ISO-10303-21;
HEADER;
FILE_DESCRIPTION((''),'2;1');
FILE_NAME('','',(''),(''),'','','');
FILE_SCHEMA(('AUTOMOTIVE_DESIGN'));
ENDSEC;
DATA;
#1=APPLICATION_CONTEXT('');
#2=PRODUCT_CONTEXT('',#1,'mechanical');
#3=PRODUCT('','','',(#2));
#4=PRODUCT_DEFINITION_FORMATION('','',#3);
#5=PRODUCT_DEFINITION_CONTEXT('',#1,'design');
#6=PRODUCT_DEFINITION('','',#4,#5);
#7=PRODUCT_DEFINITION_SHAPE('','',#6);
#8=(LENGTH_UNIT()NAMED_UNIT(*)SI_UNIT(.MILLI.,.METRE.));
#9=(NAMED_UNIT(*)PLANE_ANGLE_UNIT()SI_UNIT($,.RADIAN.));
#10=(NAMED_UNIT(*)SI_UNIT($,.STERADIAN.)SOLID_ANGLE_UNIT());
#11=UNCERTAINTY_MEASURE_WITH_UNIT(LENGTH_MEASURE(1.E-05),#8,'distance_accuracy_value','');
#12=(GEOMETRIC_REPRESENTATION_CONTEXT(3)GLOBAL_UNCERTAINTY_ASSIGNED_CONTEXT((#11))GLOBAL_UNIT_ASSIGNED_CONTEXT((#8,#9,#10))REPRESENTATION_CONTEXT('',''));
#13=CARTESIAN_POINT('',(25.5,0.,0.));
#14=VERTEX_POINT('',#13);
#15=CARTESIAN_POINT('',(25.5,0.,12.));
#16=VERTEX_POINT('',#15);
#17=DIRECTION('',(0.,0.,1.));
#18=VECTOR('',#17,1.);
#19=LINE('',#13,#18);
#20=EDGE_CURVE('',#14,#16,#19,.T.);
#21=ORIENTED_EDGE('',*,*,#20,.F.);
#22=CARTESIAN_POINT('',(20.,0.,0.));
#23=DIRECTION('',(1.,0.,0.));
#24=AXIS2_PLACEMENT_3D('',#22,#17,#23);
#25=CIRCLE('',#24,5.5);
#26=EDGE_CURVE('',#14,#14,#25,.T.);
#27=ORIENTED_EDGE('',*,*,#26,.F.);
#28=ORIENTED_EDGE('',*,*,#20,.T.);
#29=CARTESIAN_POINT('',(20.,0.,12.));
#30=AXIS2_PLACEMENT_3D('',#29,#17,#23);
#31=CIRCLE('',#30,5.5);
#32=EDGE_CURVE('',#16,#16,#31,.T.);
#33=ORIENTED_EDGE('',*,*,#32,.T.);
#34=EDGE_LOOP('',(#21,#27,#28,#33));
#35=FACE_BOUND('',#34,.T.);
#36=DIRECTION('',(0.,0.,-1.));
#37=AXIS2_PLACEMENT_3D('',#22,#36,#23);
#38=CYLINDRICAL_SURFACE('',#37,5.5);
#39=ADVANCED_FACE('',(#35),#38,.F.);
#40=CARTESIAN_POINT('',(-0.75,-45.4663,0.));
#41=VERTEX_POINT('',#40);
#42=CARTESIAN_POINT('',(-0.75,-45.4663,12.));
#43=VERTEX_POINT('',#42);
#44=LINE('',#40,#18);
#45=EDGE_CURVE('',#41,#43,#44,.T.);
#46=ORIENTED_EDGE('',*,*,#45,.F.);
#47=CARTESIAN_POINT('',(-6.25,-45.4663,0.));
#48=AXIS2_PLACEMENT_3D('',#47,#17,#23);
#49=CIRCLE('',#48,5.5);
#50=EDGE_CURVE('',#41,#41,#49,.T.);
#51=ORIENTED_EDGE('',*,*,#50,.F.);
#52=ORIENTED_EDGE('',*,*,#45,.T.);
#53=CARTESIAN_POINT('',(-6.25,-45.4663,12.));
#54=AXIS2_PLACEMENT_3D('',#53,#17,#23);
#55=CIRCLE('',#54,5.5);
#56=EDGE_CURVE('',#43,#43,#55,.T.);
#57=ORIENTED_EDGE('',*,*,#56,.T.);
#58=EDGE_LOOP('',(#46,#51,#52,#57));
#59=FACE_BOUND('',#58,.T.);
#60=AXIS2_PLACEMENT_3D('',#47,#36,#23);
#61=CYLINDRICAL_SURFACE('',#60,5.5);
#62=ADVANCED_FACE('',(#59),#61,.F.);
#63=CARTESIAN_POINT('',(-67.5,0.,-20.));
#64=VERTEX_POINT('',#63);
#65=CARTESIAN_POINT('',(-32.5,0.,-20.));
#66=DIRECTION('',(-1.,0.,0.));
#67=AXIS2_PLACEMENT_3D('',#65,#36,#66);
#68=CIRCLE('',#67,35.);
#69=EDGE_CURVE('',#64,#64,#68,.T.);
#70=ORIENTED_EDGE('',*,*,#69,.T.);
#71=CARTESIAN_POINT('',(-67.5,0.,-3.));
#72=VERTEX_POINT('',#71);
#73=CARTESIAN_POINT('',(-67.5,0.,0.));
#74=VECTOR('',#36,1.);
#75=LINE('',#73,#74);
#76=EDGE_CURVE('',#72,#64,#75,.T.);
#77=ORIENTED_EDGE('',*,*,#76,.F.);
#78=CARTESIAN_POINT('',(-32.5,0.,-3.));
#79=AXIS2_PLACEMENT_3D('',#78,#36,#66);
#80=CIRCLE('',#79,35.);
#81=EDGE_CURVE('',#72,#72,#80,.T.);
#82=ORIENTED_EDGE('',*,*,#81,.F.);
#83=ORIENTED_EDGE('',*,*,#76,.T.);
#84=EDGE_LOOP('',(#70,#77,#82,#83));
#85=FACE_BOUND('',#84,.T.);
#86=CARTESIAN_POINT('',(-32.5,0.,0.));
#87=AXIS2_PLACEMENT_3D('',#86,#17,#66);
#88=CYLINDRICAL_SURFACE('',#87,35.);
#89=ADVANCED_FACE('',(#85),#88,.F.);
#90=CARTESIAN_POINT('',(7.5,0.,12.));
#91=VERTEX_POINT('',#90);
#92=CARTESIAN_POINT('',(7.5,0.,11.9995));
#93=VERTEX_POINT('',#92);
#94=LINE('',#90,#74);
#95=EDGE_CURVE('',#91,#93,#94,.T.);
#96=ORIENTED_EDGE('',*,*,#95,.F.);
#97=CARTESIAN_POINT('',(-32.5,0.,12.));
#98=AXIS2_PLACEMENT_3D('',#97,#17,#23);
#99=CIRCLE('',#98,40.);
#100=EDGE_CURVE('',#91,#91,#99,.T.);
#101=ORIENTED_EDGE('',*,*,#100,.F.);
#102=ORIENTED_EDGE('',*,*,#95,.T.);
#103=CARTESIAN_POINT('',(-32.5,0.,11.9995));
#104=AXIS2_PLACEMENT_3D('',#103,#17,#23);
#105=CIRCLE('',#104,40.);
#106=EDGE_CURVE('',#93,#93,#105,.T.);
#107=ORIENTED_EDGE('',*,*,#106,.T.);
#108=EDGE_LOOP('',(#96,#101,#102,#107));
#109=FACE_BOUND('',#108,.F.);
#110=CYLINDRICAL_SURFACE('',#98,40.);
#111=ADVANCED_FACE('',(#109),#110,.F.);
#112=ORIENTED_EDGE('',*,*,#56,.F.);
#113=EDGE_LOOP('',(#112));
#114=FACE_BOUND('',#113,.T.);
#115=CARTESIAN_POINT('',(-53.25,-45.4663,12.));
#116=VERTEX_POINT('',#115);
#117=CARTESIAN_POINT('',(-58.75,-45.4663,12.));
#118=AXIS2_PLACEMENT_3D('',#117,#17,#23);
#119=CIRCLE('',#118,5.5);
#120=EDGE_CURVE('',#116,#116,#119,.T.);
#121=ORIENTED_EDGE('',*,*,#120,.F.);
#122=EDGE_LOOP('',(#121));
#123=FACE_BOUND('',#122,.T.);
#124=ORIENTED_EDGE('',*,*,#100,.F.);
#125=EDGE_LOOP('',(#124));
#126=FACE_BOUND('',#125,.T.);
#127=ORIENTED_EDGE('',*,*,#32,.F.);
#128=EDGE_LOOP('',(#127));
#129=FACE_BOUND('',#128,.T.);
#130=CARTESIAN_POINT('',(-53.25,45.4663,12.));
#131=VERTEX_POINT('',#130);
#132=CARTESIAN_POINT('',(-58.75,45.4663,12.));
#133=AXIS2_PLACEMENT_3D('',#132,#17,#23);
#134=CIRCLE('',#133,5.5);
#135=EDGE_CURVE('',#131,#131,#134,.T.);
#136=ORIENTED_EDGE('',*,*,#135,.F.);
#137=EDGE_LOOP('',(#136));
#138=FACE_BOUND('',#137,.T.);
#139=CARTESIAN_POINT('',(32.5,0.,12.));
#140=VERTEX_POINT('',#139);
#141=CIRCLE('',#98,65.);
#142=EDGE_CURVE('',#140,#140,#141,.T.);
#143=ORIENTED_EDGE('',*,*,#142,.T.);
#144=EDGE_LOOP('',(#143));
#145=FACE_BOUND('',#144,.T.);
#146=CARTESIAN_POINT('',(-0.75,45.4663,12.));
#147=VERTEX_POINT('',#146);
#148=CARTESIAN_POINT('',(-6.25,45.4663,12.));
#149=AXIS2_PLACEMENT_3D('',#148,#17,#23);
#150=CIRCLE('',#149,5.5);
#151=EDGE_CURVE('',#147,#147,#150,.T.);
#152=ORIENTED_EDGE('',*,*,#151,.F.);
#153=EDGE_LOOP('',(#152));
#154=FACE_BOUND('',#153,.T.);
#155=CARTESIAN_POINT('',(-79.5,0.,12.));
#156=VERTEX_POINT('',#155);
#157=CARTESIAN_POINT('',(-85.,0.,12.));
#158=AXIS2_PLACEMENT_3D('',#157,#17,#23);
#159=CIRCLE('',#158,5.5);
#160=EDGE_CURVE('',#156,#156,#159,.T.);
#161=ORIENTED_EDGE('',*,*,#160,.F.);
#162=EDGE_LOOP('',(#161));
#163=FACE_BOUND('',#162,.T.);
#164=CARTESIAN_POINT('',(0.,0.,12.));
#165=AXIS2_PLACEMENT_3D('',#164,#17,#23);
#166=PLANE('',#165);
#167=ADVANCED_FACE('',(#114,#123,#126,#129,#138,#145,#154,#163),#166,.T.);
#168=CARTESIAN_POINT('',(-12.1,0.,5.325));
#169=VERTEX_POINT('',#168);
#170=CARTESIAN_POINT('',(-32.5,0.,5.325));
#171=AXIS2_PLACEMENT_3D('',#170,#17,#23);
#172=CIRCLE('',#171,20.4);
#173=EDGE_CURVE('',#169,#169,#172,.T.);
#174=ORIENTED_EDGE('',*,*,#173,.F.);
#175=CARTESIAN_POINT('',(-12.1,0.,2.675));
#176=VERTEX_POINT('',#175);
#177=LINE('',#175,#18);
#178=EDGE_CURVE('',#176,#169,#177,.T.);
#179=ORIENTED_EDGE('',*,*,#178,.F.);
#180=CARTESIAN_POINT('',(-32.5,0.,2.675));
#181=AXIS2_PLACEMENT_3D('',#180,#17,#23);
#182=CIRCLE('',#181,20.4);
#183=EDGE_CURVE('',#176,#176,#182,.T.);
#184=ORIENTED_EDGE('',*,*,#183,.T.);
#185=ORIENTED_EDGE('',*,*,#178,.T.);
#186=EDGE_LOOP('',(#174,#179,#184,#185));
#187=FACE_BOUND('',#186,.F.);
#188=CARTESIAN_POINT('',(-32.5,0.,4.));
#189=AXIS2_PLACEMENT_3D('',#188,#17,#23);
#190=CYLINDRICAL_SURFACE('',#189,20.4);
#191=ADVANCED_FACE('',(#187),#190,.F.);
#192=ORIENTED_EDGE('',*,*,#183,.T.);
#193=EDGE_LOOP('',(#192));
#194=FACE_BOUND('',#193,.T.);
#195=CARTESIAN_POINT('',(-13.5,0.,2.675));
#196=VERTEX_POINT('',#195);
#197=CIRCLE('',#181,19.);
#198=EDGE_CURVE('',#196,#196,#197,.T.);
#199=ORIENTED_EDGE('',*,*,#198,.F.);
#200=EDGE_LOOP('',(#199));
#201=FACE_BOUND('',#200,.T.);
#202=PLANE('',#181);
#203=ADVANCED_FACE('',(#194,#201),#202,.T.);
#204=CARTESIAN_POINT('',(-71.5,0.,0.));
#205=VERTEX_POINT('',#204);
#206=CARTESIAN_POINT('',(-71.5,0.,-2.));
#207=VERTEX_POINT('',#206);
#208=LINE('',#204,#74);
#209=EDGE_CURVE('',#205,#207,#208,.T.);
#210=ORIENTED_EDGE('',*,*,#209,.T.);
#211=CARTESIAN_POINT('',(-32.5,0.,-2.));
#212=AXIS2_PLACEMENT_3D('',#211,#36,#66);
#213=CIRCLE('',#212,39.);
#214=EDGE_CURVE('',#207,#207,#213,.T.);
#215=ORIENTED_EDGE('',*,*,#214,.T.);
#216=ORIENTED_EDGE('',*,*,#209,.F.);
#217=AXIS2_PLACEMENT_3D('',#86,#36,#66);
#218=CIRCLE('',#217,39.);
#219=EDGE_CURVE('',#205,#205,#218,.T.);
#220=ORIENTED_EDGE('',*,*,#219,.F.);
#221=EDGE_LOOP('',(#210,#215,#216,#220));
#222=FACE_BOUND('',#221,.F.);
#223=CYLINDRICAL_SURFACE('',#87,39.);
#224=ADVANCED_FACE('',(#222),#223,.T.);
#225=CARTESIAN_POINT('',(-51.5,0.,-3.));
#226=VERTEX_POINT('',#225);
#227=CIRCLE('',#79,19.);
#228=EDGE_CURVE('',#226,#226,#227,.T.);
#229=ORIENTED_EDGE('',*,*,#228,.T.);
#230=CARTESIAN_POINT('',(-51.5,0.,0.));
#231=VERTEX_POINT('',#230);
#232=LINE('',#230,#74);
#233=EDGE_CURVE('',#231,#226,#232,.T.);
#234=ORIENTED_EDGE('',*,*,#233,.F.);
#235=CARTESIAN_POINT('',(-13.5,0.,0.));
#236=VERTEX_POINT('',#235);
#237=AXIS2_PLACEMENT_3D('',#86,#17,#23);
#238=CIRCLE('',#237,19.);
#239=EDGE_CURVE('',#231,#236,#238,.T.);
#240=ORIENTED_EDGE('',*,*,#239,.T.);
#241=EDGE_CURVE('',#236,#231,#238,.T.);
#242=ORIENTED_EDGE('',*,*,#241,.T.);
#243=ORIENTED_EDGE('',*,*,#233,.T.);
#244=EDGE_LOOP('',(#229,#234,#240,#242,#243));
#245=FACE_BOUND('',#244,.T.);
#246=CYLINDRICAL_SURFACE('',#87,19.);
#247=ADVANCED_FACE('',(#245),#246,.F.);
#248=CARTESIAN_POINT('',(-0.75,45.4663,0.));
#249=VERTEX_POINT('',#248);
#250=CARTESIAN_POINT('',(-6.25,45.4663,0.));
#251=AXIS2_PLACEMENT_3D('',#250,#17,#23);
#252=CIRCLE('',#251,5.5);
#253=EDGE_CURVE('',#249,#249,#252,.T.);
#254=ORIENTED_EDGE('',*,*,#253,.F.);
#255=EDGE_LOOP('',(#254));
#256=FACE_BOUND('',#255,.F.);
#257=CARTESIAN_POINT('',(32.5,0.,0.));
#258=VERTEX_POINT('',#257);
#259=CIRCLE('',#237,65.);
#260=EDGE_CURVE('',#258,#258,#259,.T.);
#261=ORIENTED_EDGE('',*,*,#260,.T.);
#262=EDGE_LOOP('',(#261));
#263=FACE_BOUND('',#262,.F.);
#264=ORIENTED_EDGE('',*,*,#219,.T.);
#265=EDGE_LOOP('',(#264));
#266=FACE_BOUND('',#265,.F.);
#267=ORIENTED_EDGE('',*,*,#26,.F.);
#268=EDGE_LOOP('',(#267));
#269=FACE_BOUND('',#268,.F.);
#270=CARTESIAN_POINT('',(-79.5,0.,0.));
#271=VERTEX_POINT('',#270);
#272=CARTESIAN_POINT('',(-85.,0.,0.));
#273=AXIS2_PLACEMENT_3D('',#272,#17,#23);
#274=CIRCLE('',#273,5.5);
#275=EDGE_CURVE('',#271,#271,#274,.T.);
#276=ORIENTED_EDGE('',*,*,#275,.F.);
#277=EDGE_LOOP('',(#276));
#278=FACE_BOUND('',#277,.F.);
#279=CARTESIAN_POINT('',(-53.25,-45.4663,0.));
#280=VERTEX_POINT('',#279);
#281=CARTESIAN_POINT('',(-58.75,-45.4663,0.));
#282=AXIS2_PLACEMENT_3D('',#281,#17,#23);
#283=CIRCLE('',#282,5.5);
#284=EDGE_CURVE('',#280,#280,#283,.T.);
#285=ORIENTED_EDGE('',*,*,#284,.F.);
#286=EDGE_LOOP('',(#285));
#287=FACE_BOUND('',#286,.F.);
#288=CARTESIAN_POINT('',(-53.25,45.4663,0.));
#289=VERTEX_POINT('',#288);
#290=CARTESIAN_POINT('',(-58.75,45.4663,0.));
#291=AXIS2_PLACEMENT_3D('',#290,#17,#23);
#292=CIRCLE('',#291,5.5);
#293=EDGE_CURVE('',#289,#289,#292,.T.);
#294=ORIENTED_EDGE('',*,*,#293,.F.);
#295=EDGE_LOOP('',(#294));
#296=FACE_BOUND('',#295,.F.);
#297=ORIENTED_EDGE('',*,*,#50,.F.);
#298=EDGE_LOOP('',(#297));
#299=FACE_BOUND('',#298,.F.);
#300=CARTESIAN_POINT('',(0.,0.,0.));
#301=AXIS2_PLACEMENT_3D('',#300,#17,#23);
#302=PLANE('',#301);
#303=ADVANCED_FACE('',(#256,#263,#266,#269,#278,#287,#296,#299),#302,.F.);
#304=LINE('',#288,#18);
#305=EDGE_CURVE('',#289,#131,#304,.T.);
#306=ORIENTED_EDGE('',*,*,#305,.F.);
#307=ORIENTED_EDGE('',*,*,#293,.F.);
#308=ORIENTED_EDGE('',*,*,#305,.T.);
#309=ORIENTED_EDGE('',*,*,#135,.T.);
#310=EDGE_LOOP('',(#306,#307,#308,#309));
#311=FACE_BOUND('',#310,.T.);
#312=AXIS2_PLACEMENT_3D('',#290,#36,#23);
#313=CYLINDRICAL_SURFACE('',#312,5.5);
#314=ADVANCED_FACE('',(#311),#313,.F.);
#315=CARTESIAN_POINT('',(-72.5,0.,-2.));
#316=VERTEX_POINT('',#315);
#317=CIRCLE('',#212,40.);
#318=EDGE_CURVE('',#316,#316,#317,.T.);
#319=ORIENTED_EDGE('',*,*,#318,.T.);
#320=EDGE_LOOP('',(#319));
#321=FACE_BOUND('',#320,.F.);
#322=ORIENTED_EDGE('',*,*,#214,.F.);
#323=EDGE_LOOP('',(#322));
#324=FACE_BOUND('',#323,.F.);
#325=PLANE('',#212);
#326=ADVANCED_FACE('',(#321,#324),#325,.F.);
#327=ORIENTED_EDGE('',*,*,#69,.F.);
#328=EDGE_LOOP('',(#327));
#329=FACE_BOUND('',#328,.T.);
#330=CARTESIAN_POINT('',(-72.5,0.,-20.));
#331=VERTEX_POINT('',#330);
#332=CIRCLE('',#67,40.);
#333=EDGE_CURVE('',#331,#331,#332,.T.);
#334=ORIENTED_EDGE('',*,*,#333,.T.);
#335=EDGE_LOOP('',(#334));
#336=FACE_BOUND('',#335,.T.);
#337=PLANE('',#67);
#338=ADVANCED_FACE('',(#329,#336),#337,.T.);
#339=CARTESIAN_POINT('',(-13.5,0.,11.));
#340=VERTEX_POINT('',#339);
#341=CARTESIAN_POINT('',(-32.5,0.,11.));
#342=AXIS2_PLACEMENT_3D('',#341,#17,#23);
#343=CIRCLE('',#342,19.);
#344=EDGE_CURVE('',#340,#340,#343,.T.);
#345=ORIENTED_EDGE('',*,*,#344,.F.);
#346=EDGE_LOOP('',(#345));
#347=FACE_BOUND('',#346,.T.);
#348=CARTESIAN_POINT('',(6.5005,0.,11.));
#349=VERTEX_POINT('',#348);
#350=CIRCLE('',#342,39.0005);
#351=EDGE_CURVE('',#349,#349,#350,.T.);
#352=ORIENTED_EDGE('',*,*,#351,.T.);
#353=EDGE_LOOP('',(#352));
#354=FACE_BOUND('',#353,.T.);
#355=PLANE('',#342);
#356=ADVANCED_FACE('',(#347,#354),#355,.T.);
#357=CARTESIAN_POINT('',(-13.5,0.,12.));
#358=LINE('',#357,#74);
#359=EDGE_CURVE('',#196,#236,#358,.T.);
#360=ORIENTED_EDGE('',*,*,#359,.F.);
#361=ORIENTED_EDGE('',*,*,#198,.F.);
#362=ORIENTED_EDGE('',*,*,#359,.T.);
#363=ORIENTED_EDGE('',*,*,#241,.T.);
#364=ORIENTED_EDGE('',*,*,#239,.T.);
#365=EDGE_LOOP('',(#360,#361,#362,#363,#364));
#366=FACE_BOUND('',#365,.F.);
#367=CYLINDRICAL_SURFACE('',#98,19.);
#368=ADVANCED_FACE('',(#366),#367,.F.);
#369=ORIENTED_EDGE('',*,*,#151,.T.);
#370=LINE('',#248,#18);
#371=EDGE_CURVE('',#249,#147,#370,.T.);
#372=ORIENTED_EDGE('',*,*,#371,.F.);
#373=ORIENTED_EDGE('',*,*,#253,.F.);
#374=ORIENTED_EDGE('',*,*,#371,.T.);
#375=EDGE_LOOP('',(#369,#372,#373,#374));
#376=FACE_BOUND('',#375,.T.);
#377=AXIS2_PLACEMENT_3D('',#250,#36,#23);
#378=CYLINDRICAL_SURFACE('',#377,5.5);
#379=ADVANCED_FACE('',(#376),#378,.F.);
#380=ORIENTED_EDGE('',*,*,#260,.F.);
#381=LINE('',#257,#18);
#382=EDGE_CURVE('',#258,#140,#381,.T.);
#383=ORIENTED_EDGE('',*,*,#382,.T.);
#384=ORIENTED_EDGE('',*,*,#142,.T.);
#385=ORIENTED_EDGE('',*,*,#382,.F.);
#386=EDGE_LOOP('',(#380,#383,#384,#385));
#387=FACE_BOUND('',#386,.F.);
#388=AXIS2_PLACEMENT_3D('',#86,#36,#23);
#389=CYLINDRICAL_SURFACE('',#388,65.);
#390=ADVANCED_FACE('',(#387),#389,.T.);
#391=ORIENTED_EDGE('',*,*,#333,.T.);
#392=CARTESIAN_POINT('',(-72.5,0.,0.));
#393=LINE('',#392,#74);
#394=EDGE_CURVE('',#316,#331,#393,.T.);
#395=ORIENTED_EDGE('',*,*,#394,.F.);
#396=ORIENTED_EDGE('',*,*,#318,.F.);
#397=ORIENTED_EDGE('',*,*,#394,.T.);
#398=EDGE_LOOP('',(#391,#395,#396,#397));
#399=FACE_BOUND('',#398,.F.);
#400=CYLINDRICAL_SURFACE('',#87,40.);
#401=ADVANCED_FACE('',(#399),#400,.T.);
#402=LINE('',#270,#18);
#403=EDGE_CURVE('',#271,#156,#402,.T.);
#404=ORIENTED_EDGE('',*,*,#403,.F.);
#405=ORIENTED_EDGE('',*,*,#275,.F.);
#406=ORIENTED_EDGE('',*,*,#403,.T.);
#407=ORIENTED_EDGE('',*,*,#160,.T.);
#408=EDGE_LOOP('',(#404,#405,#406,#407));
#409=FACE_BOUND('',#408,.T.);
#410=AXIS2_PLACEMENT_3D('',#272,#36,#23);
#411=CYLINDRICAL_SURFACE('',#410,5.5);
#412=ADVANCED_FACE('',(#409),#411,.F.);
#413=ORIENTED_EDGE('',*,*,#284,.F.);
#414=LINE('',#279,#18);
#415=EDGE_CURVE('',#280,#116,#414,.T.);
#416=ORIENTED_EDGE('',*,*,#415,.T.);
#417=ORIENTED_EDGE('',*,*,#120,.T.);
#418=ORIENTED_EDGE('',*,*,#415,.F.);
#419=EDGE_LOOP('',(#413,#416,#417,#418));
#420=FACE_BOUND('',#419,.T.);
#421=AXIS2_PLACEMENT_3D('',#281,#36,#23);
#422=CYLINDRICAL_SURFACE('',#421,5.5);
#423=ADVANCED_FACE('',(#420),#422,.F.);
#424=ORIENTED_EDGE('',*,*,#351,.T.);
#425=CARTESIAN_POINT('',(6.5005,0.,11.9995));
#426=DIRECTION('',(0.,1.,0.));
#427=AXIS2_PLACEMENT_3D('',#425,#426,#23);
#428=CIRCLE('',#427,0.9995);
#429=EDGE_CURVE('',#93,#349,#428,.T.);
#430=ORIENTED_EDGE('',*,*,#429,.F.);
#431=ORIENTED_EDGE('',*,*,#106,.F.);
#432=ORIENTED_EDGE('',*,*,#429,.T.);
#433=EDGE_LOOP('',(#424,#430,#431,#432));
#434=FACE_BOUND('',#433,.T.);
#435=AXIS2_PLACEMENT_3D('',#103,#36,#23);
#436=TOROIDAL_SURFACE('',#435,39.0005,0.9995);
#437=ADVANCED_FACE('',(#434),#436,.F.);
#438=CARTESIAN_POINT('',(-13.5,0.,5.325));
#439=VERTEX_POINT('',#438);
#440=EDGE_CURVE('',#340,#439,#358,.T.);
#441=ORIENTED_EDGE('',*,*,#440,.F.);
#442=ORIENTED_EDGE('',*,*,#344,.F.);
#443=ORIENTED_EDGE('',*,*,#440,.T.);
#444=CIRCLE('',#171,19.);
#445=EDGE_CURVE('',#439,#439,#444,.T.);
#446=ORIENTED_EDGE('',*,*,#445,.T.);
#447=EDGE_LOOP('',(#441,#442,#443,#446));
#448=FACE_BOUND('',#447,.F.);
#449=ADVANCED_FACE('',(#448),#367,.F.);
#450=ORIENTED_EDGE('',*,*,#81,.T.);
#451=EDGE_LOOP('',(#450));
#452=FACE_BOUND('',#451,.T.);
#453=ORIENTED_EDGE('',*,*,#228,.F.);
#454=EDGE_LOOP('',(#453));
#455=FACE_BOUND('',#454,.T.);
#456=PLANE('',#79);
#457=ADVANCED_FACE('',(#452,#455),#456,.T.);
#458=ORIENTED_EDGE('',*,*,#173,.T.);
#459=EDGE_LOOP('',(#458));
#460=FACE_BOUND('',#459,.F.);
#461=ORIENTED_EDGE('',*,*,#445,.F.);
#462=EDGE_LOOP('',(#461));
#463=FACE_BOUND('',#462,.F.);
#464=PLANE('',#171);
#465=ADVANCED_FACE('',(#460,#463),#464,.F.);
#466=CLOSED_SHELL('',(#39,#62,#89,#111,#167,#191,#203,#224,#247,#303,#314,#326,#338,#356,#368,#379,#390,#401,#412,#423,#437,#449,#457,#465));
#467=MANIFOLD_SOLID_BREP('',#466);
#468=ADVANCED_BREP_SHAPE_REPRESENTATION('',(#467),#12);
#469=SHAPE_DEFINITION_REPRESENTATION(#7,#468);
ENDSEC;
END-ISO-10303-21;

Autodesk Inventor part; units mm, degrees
ref_plane "工作平面1" through (0, 0, 0) normal (0, 0, 1) x (1, 0, 0)
sketch "草图1" plane through (0, 0, 0) normal (0, 0, 1) x (1, 0, 0)
  arc A0 (-32.5, -65) -> (-32.5, 65) centre (-32.5, 0) ccw construction
  line L0 (-32.5, 40) -> (-32.5, 65) construction
  arc A1 (-32.5, -40) -> (-32.5, 40) centre (-32.5, 0) ccw construction
  line L1 (-32.5, -65) -> (-32.5, -40) construction
  circle A2 centre (-32.5, 0) radius 65
  circle A3 centre (-32.5, 0) radius 40
  circle A4 centre (-32.5, 0) radius 52.5 construction
  circle A5 centre (-85, 0) radius 5.5
  line L2 (-123.5, 0) -> (58.5, 0) construction
  circle A6 centre (-58.75, -45.4663) radius 5.5
  circle A7 centre (-6.25, -45.4663) radius 5.5
  circle A8 centre (20, 0) radius 5.5
  circle A9 centre (-6.25, 45.4663) radius 5.5
  circle A10 centre (-58.75, 45.4663) radius 5.5
  circle A11 centre (-32.5, 0) radius 35
  point P0 (0, 0)
  dimension "d0" = 105
  dimension "d1" = 11
  dimension "d4" = 360
  dimension "d6" = 70
extrude "拉伸1" add sketch "草图1" along normal blind 12 contours A2 | A3 | A11
sketch "草图2" plane through (-32.5, 0, 0) normal (0, 0, -1) x (-1, 0, 0)
  circle A0 centre (0, 0) radius 65 construction
  circle A1 centre (0, 0) radius 35
  circle A2 centre (0, 0) radius 40
  point P0 (-32.5, 0)
  dimension "d9" = 70
  dimension "d10" = 80
extrude "拉伸2" add sketch "草图2" along normal blind 20
sketch "草图3" plane through (-32.5, 0, 12) normal (0, 0, 1) x (1, 0, 0)
  circle A0 centre (0, 0) radius 18 construction
  circle A1 centre (0, 0) radius 19
  point P0 (32.5, 0)
  dimension "d23" = 38
extrude "拉伸3" cut sketch "草图3" against normal up to surface (12 mm away)
sketch "草图4" plane through (-32.5, 0, 12) normal (0, 0, 1) x (1, 0, 0)
  line L0 (-91, 0) -> (91, 0) construction
  circle A0 centre (0, 0) radius 65 construction
  line L1 (0, -101.0835) -> (0, 92.1895) construction
  circle A1 centre (0, 0) radius 40
  circle A2 centre (-52.5, 0) radius 5.5 construction
  circle A3 centre (0, 0) radius 19 projected
  point P0 (32.5, 0)
  dimension "d16" = 80
extrude "拉伸4" cut sketch "草图4" against normal blind 1
fillet "圆角1" radius 1 1 edges at (-72.5, 0, 11)
ref_plane "工作平面2" through (-32.5, 0, 6) normal (0, 0, 1) x (1, 0, 0)
sketch "草图5" plane through (-32.5, 0, 0) normal (0, 0, -1) x (-1, 0, 0)
  circle A0 centre (0, 0) radius 40 projected
  circle A1 centre (0, 0) radius 39
  point P0 (-32.5, 0)
  dimension "d20" = 1
extrude "拉伸5" cut sketch "草图5" along normal blind 2
sketch "草图6" plane through (-32.5, 0, 0) normal (0, 0, -1) x (-1, 0, 0)
  circle A0 centre (0, 0) radius 19 projected
  circle A1 centre (0, 0) radius 35 projected
  point P0 (-32.5, 0)
extrude "拉伸6" add sketch "草图6" along normal blind 3
ref_plane "工作平面3" through (-32.5, 0, 4) normal (0, 0, 1) x (1, 0, 0)
sketch "草图7" plane through (-32.5, 0, 4) normal (0, 0, 1) x (1, 0, 0)
  circle A0 centre (0, 0) radius 19 construction
  circle A1 centre (0, 0) radius 20.4
  point P0 (32.5, 0)
  dimension "d27" = 40.8
extrude "拉伸7" cut sketch "草图7" against normal mid plane 2.65
properties part number "轴承端盖1"
